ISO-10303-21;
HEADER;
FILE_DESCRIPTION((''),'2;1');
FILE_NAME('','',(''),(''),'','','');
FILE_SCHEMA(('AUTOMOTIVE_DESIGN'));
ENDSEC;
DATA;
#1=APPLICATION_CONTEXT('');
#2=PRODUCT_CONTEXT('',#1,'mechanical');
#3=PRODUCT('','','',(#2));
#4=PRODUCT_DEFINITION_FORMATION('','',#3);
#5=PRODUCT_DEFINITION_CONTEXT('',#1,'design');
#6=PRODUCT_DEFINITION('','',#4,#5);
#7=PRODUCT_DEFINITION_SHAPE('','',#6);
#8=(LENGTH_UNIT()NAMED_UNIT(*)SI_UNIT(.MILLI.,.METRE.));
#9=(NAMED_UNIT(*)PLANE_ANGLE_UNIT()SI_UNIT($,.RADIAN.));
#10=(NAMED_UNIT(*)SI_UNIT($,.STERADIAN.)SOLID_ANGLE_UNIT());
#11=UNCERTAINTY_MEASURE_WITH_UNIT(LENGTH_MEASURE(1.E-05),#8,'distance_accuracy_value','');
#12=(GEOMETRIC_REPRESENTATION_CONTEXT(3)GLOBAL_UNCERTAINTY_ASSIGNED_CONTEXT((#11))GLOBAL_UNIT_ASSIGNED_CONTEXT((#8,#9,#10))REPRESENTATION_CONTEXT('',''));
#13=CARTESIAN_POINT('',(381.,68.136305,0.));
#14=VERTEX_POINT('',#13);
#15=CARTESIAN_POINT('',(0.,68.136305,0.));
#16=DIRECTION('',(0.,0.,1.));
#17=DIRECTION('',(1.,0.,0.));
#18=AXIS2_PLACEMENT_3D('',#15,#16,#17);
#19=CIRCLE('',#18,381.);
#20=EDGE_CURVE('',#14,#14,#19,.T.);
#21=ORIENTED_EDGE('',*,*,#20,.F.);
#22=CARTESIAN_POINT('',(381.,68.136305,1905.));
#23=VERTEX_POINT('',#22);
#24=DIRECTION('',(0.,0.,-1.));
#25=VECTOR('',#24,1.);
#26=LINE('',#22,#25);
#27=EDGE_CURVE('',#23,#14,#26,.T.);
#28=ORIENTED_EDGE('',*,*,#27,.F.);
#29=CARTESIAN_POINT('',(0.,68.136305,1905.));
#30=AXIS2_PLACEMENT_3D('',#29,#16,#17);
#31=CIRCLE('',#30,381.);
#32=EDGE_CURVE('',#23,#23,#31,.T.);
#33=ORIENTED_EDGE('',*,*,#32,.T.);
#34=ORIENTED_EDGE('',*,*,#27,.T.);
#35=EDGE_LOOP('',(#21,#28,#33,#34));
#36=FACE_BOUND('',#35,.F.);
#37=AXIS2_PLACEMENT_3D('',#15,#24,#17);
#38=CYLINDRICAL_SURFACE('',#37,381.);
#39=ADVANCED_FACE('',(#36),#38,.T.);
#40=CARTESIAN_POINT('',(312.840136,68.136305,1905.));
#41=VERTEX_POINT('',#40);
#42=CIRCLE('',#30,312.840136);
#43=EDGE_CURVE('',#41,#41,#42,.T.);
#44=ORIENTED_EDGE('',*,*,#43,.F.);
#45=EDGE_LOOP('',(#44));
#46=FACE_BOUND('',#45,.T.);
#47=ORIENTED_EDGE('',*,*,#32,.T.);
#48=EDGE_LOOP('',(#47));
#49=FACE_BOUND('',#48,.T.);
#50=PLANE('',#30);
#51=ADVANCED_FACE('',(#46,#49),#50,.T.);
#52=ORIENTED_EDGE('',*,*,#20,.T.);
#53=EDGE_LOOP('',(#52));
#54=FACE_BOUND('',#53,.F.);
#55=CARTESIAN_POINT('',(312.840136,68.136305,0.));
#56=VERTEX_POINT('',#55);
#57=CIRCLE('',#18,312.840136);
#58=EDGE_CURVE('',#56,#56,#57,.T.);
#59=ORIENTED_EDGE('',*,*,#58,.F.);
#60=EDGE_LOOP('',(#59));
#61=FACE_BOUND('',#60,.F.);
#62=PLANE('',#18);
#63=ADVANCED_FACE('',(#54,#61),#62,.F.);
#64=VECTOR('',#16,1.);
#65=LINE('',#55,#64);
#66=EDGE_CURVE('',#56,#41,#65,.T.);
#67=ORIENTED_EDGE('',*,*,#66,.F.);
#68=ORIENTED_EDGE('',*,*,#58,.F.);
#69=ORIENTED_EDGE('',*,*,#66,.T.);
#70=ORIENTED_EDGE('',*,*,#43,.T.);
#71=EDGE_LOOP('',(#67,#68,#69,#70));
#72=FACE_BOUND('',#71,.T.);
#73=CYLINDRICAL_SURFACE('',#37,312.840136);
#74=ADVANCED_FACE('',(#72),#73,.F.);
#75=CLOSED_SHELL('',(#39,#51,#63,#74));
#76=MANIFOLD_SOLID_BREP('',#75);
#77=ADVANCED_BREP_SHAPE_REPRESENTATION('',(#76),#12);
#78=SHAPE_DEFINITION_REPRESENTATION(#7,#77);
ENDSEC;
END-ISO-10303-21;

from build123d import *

# Parameters (mm, degrees)
F0_R     = 381
F0_R_2   = 312.840136
F1_DEPTH = 25.4
F2_DEPTH = 1905


with BuildPart() as f1:
    # F0 (on Top) → F1 (new body)
    with BuildSketch(Plane.XY):
        with Locations((0, 68.136305)):
            Circle(F0_R)
        with Locations((0, 68.136305)):
            Circle(F0_R_2, mode=Mode.SUBTRACT)
    extrude(amount=F1_DEPTH)

    # F0 (on Top) → F2 (join)
    with BuildSketch(Plane.XY):
        with Locations((0, 68.136305)):
            Circle(F0_R)
        with Locations((0, 68.136305)):
            Circle(F0_R_2, mode=Mode.SUBTRACT)
    extrude(amount=F2_DEPTH)


solid = f1.part
